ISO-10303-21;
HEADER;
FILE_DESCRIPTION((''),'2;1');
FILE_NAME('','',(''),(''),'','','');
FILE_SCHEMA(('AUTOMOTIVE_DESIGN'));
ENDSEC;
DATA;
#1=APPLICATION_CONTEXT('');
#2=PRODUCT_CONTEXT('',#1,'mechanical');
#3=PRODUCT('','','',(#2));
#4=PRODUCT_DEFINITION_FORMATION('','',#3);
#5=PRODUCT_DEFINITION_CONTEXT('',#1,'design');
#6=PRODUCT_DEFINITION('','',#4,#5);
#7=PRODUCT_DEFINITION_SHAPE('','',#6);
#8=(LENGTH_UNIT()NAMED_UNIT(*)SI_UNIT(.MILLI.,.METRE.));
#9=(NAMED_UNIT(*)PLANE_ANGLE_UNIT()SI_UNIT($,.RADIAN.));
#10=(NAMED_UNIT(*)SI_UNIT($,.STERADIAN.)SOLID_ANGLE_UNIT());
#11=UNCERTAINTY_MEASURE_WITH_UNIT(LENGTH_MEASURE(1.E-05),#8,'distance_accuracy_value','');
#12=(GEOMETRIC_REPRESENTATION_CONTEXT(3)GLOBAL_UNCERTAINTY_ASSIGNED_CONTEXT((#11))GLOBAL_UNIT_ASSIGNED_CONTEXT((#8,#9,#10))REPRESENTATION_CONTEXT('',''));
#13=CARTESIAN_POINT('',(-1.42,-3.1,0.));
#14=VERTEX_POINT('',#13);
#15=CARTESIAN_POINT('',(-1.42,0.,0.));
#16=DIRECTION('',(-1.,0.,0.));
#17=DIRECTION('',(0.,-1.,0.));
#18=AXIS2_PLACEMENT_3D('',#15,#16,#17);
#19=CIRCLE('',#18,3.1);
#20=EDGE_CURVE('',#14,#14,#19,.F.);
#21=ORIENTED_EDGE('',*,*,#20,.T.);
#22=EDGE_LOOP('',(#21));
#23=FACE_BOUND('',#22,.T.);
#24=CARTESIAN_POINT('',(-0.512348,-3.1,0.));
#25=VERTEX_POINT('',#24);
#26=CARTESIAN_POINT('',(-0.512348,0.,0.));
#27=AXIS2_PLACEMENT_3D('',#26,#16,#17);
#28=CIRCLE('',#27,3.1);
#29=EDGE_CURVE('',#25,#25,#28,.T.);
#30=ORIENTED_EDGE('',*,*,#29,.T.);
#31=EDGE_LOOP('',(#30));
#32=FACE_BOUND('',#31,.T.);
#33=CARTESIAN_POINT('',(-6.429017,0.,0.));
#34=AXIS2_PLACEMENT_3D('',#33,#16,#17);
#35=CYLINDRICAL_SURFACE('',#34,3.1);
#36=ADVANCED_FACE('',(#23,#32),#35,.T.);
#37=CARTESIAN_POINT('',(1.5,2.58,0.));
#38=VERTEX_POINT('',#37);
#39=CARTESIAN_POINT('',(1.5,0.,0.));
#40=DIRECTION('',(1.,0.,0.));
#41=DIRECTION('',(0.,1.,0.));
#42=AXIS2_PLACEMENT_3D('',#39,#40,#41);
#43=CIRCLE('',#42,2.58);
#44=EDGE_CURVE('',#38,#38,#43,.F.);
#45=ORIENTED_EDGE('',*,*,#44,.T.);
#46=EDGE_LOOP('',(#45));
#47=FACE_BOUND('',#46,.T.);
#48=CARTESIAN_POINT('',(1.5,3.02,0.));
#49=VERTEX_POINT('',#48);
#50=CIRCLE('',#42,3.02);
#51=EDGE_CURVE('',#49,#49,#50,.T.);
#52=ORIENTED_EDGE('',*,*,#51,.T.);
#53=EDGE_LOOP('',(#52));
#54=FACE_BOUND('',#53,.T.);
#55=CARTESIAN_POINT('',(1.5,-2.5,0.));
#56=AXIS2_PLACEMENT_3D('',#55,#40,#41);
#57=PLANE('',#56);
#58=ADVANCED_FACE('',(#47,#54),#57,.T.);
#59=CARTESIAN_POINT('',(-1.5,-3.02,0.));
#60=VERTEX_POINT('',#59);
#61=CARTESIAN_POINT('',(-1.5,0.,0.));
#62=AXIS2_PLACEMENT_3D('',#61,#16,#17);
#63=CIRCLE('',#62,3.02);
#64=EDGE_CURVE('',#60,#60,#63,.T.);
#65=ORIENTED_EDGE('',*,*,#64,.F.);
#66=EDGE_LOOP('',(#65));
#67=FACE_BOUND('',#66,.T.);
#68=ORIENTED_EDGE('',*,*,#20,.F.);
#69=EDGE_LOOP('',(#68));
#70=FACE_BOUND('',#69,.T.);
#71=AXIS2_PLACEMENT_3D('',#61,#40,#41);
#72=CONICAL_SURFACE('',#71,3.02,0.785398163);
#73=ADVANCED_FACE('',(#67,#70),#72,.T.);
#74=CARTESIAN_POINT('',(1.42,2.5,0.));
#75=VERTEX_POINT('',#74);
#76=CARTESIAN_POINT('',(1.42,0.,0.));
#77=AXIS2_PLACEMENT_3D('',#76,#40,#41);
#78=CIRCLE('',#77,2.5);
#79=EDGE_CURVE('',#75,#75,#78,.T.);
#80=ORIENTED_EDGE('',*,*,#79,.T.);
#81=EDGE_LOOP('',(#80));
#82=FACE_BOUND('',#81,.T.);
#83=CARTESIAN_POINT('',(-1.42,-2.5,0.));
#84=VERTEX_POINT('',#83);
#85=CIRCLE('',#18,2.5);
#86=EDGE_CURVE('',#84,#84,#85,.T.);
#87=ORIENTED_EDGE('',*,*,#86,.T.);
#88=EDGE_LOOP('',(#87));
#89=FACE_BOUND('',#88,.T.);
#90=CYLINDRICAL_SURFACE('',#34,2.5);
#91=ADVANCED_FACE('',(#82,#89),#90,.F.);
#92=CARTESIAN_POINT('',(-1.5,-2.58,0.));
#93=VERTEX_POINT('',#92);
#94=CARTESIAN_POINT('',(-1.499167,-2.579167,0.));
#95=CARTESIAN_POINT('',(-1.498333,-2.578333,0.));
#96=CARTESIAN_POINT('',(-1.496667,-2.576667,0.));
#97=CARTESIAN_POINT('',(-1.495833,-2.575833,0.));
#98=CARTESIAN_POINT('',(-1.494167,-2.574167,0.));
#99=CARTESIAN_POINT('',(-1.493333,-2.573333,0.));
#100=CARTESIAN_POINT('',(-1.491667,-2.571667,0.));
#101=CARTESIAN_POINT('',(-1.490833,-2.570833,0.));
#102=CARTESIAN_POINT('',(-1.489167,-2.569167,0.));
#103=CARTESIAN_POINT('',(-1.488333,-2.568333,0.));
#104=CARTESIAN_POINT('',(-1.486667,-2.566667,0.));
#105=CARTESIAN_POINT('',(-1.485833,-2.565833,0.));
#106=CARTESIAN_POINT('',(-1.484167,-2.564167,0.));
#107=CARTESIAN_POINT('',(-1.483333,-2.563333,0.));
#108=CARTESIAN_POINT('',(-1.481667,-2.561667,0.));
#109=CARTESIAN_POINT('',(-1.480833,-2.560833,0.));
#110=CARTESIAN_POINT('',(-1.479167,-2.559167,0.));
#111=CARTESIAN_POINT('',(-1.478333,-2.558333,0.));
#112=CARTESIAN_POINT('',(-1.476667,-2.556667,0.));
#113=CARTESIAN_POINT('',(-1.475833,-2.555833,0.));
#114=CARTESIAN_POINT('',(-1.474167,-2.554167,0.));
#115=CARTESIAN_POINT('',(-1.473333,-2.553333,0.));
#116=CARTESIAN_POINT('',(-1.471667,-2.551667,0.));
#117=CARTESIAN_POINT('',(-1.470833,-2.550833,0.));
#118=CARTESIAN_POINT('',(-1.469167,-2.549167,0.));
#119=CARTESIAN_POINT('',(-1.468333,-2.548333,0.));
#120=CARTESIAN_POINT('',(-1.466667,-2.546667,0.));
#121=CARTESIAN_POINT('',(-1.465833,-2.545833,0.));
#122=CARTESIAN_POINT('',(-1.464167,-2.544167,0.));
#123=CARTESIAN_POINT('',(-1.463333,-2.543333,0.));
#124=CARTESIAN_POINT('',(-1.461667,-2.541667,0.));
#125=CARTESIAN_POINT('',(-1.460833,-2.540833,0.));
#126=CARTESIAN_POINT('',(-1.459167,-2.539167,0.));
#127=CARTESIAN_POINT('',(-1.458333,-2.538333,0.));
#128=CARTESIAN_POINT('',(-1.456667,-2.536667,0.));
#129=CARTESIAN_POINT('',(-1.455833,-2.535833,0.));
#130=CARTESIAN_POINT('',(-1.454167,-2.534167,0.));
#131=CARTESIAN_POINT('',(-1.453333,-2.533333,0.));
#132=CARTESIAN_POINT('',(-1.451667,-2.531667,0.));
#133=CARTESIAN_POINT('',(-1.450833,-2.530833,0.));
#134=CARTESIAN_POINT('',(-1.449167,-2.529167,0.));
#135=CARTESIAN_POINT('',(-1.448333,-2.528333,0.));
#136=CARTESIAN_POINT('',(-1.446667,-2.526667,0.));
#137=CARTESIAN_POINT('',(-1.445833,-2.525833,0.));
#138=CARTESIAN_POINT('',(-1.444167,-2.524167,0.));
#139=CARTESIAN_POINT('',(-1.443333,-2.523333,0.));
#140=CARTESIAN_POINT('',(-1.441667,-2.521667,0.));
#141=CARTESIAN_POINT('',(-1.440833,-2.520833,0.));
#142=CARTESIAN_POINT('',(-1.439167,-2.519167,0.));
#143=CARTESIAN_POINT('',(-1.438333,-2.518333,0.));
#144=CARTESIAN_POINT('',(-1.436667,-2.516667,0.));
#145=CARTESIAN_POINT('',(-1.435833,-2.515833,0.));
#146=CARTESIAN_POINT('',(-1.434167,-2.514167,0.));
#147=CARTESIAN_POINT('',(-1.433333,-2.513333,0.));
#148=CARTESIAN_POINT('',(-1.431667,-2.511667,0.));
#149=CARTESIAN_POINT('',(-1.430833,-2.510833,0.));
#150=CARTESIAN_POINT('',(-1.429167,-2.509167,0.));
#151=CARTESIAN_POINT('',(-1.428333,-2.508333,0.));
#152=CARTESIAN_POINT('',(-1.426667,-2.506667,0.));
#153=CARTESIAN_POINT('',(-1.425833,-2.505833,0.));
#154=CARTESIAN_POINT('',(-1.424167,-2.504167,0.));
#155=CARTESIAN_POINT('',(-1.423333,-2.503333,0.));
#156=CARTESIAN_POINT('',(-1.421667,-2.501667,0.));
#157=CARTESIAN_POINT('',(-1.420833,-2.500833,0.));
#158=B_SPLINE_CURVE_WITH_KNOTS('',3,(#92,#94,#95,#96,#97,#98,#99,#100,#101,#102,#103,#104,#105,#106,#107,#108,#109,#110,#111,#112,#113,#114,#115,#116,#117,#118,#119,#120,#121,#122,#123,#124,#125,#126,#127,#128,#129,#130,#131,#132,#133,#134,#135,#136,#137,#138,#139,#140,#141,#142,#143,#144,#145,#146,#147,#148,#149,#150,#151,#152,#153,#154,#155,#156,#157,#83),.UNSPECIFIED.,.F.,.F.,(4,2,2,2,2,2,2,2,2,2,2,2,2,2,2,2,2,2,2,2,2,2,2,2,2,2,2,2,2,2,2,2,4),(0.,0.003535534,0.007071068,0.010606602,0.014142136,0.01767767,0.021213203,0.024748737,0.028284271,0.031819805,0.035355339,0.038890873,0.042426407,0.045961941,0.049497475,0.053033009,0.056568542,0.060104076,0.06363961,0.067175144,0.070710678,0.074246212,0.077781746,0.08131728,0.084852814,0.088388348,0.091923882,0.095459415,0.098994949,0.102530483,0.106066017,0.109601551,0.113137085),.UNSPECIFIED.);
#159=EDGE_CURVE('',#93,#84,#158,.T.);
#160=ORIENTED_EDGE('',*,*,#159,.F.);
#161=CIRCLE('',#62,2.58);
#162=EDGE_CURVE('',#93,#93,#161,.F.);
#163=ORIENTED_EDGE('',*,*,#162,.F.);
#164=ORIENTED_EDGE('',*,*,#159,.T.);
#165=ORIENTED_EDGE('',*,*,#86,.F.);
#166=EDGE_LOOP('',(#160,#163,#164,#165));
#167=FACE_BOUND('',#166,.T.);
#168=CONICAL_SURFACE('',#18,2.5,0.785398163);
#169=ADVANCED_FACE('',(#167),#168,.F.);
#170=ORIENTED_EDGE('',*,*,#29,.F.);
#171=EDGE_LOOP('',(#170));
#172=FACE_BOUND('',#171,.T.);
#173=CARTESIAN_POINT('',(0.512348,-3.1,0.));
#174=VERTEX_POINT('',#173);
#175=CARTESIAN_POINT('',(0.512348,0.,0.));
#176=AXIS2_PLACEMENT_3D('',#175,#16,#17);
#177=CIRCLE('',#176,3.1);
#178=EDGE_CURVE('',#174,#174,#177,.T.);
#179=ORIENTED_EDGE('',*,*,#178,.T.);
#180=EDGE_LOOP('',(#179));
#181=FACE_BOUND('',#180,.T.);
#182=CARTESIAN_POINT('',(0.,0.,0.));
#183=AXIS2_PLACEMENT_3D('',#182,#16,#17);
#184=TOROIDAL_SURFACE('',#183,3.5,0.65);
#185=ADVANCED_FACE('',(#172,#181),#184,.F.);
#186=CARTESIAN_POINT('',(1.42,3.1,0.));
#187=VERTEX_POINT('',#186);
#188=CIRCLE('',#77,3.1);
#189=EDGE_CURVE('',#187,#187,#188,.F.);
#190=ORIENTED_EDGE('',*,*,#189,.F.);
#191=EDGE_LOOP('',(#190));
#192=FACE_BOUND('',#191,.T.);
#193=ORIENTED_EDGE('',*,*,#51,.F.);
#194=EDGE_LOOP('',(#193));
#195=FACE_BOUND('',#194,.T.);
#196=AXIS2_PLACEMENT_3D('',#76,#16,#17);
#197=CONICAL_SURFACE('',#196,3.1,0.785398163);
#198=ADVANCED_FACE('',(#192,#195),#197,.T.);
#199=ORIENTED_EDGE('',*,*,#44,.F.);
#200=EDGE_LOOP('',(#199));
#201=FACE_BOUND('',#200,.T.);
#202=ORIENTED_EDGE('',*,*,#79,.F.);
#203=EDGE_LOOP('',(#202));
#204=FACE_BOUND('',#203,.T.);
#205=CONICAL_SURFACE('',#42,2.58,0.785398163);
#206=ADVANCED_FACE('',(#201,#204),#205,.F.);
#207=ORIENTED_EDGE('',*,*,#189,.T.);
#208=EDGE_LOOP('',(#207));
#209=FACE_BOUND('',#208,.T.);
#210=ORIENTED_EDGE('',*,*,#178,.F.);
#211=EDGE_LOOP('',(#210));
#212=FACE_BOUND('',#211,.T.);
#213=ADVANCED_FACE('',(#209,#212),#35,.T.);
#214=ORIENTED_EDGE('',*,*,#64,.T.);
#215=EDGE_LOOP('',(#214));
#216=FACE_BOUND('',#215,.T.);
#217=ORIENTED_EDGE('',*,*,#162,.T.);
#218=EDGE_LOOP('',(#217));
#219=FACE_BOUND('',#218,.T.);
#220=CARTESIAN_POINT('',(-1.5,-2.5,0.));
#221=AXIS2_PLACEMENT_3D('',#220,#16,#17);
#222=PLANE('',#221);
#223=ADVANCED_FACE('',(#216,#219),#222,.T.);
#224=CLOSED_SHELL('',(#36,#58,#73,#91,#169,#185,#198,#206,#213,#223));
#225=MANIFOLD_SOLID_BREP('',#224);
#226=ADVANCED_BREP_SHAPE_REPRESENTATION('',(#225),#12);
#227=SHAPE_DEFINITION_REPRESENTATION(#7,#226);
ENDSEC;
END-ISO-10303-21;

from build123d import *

# Parameters (mm, degrees)
CHAMFER2_SIZE = 0.08


with BuildPart() as part:
    # Sketch1 → Revolve1 (revolve)
    with BuildSketch(Plane.XY):
        with BuildLine():
            Line((0.512347538, -3.1), (1.5, -3.1))
            Line((1.5, -3.1), (1.5, -2.5))
            Line((1.5, -2.5), (-1.5, -2.5))
            Line((-1.5, -2.5), (-1.5, -3.1))
            Line((-1.5, -3.1), (-0.512347538, -3.1))
            ThreePointArc((-0.512347538, -3.1), (0, -2.85), (0.512347538, -3.1))
        make_face()
    revolve(axis=Axis((-6.429017492, 0, 0), (1, 0, 0)))

    # Chamfer2
    chamfer2_edges = [part.edges().sort_by_distance(p)[0] for p in [
        (1.5, 3.1, 0),
        (1.5, 2.5, 0),
        (-1.5, 2.5, 0),
        (-1.5, 3.1, 0),
    ]]
    chamfer(chamfer2_edges, length=CHAMFER2_SIZE)


solid = part.part
